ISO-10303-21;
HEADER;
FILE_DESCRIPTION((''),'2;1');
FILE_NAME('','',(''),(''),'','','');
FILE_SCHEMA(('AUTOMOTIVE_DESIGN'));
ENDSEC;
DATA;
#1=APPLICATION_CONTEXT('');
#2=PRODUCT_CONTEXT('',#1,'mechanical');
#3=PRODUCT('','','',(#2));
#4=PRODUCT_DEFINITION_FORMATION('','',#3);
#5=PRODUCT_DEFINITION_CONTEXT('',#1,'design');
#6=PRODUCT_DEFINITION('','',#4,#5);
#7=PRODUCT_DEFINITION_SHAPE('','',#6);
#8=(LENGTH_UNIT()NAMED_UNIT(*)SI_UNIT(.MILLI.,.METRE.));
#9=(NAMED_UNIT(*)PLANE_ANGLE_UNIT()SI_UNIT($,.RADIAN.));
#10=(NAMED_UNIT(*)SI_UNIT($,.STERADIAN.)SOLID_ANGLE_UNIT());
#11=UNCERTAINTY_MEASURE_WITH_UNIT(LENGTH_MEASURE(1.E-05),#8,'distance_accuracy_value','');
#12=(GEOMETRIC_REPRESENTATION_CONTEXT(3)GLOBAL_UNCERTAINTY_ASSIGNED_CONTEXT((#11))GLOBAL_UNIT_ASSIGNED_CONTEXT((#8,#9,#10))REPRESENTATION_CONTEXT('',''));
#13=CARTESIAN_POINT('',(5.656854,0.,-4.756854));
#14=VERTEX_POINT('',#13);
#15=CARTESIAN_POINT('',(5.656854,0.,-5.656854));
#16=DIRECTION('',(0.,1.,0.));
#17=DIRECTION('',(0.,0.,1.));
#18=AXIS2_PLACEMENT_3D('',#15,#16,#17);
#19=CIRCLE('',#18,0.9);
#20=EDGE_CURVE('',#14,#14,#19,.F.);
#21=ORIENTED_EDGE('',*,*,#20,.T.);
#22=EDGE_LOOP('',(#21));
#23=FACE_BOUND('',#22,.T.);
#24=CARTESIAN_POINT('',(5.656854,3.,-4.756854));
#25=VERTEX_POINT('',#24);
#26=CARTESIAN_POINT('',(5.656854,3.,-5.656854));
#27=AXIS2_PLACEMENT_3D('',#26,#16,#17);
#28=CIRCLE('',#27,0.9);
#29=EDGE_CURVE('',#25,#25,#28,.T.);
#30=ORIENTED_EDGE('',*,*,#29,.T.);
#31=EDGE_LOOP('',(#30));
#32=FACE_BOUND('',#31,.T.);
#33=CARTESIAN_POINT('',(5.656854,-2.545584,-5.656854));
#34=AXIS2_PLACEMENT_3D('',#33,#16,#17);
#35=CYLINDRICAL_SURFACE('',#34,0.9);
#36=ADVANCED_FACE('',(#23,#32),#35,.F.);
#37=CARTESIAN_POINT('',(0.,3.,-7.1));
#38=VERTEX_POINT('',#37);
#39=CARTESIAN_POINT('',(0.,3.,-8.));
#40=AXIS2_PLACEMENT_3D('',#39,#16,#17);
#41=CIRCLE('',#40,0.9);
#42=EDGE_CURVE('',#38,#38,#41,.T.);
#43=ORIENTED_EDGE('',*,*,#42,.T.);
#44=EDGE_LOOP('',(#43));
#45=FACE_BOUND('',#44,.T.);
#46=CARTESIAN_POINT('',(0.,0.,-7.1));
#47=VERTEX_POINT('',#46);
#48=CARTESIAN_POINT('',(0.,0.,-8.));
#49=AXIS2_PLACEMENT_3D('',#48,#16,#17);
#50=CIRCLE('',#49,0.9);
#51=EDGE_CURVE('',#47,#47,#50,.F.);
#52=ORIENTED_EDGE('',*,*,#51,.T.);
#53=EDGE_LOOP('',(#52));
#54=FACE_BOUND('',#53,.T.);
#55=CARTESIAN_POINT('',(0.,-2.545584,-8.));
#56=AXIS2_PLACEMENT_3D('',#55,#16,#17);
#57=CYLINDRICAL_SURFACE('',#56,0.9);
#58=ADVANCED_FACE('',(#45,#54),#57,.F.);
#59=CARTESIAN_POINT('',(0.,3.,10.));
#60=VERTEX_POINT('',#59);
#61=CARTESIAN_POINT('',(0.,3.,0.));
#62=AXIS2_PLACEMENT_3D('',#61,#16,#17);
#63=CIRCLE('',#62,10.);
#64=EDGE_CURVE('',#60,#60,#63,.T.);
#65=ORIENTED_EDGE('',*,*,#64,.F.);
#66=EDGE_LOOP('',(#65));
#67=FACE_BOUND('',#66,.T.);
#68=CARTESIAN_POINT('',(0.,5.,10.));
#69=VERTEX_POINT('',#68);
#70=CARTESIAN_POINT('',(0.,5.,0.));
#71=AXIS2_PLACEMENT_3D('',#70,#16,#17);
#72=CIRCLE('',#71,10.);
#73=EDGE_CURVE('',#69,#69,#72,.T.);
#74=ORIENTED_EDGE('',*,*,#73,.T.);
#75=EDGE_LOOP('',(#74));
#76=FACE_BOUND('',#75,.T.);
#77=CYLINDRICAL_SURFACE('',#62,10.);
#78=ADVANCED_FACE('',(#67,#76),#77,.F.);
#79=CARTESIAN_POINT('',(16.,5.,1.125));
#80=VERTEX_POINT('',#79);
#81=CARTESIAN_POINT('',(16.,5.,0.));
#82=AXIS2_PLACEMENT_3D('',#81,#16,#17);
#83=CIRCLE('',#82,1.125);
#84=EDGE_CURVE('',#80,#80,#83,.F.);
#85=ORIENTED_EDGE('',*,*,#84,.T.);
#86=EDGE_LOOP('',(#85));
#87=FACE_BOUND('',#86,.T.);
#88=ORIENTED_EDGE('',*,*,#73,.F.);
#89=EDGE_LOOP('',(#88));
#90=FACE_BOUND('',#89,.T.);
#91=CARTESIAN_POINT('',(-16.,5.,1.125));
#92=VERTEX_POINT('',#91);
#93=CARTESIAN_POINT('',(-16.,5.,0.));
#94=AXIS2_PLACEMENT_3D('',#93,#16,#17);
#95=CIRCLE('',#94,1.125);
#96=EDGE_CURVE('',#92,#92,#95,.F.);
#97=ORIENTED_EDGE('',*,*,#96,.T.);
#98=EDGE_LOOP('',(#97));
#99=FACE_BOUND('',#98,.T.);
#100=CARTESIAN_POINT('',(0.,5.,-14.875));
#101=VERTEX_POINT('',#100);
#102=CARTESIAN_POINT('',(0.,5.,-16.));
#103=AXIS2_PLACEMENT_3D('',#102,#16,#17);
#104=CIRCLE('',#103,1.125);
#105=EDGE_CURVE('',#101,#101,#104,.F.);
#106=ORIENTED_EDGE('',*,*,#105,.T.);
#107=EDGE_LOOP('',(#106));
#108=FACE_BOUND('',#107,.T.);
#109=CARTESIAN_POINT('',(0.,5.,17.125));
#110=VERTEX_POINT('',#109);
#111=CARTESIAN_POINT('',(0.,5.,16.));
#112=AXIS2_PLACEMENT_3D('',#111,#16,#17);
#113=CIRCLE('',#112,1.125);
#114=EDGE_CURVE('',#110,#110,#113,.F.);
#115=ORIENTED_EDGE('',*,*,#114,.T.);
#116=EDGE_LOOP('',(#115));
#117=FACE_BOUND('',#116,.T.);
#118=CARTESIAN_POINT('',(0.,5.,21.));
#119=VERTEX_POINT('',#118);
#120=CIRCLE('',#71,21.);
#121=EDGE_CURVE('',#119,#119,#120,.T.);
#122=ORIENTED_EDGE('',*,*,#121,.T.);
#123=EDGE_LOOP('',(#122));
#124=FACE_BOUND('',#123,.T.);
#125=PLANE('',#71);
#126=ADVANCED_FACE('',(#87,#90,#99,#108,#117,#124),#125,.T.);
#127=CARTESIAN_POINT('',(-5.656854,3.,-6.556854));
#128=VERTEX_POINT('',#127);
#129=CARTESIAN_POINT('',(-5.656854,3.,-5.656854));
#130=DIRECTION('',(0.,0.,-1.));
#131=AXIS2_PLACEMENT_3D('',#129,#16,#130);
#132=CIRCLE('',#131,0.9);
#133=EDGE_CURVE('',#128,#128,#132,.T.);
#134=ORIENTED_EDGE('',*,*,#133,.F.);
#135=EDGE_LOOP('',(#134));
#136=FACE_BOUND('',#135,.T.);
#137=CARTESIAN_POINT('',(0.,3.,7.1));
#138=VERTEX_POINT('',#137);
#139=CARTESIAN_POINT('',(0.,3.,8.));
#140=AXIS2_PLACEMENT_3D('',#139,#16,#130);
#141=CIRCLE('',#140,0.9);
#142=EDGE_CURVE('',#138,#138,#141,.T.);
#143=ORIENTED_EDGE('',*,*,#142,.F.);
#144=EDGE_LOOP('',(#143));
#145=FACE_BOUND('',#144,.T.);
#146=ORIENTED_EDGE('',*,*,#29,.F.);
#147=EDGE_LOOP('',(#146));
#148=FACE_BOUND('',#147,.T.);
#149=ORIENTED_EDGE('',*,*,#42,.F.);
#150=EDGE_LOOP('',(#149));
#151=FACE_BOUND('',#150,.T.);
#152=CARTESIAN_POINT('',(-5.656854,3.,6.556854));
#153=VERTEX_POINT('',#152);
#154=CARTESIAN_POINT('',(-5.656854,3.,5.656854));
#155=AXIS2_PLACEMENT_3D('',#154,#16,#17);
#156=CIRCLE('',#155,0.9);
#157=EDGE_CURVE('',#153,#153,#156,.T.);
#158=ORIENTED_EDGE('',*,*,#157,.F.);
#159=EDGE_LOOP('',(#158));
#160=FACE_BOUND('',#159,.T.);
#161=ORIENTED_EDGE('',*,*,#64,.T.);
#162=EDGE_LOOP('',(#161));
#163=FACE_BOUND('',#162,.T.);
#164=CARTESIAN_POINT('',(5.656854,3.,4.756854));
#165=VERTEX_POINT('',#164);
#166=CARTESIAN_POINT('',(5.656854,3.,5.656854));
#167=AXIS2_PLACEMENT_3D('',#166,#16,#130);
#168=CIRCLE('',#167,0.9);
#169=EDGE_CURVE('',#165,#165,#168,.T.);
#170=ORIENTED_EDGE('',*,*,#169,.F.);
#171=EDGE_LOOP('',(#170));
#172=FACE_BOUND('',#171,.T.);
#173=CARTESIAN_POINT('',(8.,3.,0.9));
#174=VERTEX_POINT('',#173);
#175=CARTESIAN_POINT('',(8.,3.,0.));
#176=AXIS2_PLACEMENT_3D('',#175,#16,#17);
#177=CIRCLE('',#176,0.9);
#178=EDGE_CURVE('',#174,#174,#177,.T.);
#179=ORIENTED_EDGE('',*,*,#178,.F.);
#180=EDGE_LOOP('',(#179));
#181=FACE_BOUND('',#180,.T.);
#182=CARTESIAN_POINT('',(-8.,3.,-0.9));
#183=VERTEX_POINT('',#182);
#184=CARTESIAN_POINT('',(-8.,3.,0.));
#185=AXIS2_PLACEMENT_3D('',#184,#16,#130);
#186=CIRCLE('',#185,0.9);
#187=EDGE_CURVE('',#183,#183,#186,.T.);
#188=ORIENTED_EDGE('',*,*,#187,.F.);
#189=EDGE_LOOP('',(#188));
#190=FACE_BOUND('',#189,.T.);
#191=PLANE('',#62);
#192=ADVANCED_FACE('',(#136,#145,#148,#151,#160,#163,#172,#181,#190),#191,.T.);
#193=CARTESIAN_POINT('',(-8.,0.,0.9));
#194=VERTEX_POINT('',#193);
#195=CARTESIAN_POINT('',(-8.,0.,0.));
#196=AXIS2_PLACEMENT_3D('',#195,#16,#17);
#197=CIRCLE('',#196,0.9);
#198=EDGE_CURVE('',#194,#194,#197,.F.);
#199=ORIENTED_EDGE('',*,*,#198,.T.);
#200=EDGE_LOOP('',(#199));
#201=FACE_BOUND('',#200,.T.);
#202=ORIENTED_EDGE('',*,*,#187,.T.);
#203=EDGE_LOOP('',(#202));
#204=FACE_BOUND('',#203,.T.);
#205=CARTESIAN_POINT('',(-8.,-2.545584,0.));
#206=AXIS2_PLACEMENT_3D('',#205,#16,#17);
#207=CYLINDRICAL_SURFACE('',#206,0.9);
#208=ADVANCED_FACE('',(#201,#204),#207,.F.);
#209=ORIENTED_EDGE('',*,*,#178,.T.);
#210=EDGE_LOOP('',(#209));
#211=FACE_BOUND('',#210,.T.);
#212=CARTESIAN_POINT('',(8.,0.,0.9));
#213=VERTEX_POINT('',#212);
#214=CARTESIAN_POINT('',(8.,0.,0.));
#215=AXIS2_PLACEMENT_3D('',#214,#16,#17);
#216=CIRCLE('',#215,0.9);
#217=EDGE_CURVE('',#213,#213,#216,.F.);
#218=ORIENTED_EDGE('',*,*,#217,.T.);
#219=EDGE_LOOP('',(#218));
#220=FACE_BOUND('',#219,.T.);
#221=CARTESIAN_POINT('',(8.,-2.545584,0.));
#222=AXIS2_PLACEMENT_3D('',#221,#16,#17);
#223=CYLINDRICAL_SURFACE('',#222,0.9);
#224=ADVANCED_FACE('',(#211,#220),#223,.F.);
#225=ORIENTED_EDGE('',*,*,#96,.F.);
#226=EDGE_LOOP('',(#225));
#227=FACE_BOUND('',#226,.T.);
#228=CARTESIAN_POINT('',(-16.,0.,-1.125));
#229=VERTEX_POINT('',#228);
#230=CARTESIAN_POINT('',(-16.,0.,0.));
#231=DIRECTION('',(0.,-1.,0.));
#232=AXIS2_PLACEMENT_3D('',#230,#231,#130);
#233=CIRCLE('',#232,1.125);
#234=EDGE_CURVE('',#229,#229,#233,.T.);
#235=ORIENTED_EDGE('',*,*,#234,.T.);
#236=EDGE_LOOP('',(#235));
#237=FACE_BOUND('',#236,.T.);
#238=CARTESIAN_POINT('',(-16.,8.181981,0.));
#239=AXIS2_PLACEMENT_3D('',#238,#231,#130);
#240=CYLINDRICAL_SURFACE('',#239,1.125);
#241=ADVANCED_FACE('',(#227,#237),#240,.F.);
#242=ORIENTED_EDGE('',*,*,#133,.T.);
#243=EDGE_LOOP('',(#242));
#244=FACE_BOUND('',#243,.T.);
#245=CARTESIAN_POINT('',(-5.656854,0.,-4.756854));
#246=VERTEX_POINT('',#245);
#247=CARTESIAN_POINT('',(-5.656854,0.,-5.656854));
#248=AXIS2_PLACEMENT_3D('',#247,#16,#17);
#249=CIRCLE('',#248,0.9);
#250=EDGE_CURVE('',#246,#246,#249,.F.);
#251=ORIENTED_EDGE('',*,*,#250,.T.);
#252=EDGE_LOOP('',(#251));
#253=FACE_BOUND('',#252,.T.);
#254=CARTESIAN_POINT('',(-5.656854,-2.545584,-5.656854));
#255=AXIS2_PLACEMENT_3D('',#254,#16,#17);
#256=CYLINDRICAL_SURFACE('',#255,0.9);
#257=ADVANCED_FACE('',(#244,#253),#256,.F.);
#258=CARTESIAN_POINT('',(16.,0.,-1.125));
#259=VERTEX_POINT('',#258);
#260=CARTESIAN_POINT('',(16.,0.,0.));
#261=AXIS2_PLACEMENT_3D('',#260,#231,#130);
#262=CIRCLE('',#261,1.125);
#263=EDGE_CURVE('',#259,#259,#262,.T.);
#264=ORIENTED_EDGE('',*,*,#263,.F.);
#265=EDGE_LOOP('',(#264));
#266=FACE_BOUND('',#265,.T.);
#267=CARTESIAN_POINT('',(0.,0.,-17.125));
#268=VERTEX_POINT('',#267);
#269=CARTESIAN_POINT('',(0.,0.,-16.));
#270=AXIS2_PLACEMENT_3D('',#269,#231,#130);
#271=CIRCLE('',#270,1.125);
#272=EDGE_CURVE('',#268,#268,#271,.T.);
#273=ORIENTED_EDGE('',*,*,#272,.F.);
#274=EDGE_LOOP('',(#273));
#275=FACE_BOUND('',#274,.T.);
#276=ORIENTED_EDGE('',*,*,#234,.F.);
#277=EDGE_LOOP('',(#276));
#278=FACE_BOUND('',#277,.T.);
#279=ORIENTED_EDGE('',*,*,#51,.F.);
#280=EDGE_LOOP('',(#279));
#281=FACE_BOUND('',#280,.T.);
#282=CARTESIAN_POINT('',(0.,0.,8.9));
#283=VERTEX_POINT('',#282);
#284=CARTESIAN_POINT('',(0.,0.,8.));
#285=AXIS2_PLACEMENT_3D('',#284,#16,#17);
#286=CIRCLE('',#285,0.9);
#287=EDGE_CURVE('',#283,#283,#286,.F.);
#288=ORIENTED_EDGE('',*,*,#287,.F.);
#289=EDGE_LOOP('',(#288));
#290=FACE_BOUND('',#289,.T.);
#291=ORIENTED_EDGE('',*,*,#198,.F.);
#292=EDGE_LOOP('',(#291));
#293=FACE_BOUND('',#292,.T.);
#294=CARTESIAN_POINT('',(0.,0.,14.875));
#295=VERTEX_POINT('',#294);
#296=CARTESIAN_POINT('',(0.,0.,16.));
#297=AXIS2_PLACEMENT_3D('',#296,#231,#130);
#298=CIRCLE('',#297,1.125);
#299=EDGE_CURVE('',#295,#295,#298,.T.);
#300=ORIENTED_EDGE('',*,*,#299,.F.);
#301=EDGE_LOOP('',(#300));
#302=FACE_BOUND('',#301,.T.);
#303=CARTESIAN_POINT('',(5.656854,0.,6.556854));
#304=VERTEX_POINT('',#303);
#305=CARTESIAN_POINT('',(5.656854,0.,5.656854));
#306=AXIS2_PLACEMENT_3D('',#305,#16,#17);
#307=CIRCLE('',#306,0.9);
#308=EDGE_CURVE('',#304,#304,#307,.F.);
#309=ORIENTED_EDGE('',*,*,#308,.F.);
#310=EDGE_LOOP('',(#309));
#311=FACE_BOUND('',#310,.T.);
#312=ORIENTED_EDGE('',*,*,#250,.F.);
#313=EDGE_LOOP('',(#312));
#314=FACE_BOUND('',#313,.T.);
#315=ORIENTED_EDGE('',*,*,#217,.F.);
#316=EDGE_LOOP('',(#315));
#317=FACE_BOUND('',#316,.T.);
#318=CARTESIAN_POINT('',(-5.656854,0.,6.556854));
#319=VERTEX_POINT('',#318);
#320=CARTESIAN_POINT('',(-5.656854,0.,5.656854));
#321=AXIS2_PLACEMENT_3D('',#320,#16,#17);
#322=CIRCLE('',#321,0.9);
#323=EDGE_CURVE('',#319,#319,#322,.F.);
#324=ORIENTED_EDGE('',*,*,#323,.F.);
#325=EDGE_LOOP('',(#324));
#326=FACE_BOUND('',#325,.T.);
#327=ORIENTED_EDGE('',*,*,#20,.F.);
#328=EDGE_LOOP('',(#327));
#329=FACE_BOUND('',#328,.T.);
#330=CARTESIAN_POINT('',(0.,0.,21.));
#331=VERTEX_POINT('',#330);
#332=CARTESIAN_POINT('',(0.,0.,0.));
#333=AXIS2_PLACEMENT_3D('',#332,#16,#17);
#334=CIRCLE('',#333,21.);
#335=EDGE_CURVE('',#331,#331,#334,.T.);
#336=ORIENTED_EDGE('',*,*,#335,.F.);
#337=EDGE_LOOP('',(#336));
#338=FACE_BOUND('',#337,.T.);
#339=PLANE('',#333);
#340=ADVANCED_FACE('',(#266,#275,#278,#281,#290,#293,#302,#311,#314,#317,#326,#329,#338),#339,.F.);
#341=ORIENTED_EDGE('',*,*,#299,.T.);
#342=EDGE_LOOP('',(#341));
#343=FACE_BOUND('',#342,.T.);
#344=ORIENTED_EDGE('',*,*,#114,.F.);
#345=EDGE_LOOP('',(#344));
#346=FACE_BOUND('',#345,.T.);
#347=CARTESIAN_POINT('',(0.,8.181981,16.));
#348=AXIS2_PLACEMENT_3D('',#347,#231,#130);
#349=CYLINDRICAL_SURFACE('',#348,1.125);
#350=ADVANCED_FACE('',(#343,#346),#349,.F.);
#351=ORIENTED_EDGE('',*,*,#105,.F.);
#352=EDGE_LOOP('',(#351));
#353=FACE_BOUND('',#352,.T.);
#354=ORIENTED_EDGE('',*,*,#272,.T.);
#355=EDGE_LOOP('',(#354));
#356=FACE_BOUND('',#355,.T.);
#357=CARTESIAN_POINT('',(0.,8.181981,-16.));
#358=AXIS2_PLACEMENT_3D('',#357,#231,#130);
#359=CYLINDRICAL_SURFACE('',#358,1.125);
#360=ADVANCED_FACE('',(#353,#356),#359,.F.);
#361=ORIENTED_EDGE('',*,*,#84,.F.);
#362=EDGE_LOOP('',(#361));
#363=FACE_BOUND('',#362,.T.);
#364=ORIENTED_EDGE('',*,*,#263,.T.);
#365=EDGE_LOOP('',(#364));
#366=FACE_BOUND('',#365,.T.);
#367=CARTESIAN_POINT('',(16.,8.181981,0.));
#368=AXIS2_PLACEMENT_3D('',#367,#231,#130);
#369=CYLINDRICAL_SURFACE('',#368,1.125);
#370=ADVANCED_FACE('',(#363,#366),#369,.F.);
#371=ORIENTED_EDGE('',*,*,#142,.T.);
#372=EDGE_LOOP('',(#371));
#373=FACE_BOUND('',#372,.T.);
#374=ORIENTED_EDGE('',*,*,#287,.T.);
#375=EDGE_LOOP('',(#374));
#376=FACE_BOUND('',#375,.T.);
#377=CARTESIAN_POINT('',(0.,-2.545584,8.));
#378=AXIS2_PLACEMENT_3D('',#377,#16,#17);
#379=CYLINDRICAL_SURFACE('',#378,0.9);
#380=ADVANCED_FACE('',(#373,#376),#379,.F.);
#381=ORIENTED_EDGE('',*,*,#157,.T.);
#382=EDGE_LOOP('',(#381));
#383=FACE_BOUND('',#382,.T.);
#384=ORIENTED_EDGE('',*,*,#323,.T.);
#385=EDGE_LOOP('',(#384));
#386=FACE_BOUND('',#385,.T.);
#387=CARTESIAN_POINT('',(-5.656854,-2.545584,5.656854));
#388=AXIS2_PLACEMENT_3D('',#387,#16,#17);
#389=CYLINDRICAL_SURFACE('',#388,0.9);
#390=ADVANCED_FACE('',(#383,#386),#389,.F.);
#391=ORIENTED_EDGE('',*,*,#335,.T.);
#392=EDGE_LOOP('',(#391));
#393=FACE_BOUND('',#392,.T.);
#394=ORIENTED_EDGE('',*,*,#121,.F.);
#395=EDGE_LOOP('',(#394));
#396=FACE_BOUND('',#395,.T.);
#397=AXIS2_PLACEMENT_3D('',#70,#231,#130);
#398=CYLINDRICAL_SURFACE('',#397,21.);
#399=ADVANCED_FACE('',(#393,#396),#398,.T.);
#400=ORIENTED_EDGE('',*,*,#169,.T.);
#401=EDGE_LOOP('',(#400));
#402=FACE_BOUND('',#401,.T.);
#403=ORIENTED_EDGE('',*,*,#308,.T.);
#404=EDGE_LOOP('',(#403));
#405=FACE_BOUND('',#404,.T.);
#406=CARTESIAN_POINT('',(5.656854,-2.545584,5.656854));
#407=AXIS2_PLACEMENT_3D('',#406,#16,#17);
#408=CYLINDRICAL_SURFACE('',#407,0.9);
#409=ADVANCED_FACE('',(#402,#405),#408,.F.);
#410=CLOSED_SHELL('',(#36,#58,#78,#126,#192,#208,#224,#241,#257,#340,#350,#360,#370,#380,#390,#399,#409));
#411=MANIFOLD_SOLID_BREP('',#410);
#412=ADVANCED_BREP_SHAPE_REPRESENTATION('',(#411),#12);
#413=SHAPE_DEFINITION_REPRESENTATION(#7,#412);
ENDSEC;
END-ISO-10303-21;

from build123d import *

# Parameters (mm, degrees)
SKETCH_1_R          = 21
EXTRUDE_1_DEPTH     = 5
SKETCH_2_R          = 10
CUT_EXTRUDE_1_DEPTH = 2
SKETCH_3_R          = 0.9
CUT_EXTRUDE_2_DEPTH = 3
SKETCH_4_R          = 1.125
CUT_EXTRUDE_3_DEPTH = 5


with BuildPart() as part:
    # 스케치1 → 보스-돌출1 (new body)
    with BuildSketch(Plane(origin=(0, 0, 0), x_dir=(1, 0, 0), z_dir=(0, 1, 0))):
        Circle(SKETCH_1_R)
    extrude(amount=EXTRUDE_1_DEPTH)

    # 스케치2 → 컷-돌출1 (cut)
    with BuildSketch(Plane(origin=(0, 5, 0), x_dir=(1, 0, 0), z_dir=(0, 1, 0))):
        Circle(SKETCH_2_R)
    extrude(amount=-CUT_EXTRUDE_1_DEPTH, mode=Mode.SUBTRACT)

    # 스케치3 → 컷-돌출2 (cut)
    with BuildSketch(Plane(origin=(0, 3, 0), x_dir=(1, 0, 0), z_dir=(0, 1, 0))):
        with Locations((5.656854249, 5.656854249)):
            Circle(SKETCH_3_R)
        with Locations((8, 0)):
            Circle(SKETCH_3_R)
        with Locations((0, 8)):
            Circle(SKETCH_3_R)
        with Locations((5.656854249, -5.656854249)):
            Circle(SKETCH_3_R)
        with Locations((0, -8)):
            Circle(SKETCH_3_R)
        with Locations((-5.656854249, -5.656854249)):
            Circle(SKETCH_3_R)
        with Locations((-8, 0)):
            Circle(SKETCH_3_R)
        with Locations((-5.656854249, 5.656854249)):
            Circle(SKETCH_3_R)
    extrude(amount=-CUT_EXTRUDE_2_DEPTH, mode=Mode.SUBTRACT)

    # 스케치4 → 컷-돌출3 (cut)
    with BuildSketch(Plane.XZ):
        with Locations((0, -16)):
            Circle(SKETCH_4_R)
        with Locations((-16, 0)):
            Circle(SKETCH_4_R)
        with Locations((0, 16)):
            Circle(SKETCH_4_R)
        with Locations((16, 0)):
            Circle(SKETCH_4_R)
    extrude(amount=-CUT_EXTRUDE_3_DEPTH, mode=Mode.SUBTRACT)


solid = part.part
